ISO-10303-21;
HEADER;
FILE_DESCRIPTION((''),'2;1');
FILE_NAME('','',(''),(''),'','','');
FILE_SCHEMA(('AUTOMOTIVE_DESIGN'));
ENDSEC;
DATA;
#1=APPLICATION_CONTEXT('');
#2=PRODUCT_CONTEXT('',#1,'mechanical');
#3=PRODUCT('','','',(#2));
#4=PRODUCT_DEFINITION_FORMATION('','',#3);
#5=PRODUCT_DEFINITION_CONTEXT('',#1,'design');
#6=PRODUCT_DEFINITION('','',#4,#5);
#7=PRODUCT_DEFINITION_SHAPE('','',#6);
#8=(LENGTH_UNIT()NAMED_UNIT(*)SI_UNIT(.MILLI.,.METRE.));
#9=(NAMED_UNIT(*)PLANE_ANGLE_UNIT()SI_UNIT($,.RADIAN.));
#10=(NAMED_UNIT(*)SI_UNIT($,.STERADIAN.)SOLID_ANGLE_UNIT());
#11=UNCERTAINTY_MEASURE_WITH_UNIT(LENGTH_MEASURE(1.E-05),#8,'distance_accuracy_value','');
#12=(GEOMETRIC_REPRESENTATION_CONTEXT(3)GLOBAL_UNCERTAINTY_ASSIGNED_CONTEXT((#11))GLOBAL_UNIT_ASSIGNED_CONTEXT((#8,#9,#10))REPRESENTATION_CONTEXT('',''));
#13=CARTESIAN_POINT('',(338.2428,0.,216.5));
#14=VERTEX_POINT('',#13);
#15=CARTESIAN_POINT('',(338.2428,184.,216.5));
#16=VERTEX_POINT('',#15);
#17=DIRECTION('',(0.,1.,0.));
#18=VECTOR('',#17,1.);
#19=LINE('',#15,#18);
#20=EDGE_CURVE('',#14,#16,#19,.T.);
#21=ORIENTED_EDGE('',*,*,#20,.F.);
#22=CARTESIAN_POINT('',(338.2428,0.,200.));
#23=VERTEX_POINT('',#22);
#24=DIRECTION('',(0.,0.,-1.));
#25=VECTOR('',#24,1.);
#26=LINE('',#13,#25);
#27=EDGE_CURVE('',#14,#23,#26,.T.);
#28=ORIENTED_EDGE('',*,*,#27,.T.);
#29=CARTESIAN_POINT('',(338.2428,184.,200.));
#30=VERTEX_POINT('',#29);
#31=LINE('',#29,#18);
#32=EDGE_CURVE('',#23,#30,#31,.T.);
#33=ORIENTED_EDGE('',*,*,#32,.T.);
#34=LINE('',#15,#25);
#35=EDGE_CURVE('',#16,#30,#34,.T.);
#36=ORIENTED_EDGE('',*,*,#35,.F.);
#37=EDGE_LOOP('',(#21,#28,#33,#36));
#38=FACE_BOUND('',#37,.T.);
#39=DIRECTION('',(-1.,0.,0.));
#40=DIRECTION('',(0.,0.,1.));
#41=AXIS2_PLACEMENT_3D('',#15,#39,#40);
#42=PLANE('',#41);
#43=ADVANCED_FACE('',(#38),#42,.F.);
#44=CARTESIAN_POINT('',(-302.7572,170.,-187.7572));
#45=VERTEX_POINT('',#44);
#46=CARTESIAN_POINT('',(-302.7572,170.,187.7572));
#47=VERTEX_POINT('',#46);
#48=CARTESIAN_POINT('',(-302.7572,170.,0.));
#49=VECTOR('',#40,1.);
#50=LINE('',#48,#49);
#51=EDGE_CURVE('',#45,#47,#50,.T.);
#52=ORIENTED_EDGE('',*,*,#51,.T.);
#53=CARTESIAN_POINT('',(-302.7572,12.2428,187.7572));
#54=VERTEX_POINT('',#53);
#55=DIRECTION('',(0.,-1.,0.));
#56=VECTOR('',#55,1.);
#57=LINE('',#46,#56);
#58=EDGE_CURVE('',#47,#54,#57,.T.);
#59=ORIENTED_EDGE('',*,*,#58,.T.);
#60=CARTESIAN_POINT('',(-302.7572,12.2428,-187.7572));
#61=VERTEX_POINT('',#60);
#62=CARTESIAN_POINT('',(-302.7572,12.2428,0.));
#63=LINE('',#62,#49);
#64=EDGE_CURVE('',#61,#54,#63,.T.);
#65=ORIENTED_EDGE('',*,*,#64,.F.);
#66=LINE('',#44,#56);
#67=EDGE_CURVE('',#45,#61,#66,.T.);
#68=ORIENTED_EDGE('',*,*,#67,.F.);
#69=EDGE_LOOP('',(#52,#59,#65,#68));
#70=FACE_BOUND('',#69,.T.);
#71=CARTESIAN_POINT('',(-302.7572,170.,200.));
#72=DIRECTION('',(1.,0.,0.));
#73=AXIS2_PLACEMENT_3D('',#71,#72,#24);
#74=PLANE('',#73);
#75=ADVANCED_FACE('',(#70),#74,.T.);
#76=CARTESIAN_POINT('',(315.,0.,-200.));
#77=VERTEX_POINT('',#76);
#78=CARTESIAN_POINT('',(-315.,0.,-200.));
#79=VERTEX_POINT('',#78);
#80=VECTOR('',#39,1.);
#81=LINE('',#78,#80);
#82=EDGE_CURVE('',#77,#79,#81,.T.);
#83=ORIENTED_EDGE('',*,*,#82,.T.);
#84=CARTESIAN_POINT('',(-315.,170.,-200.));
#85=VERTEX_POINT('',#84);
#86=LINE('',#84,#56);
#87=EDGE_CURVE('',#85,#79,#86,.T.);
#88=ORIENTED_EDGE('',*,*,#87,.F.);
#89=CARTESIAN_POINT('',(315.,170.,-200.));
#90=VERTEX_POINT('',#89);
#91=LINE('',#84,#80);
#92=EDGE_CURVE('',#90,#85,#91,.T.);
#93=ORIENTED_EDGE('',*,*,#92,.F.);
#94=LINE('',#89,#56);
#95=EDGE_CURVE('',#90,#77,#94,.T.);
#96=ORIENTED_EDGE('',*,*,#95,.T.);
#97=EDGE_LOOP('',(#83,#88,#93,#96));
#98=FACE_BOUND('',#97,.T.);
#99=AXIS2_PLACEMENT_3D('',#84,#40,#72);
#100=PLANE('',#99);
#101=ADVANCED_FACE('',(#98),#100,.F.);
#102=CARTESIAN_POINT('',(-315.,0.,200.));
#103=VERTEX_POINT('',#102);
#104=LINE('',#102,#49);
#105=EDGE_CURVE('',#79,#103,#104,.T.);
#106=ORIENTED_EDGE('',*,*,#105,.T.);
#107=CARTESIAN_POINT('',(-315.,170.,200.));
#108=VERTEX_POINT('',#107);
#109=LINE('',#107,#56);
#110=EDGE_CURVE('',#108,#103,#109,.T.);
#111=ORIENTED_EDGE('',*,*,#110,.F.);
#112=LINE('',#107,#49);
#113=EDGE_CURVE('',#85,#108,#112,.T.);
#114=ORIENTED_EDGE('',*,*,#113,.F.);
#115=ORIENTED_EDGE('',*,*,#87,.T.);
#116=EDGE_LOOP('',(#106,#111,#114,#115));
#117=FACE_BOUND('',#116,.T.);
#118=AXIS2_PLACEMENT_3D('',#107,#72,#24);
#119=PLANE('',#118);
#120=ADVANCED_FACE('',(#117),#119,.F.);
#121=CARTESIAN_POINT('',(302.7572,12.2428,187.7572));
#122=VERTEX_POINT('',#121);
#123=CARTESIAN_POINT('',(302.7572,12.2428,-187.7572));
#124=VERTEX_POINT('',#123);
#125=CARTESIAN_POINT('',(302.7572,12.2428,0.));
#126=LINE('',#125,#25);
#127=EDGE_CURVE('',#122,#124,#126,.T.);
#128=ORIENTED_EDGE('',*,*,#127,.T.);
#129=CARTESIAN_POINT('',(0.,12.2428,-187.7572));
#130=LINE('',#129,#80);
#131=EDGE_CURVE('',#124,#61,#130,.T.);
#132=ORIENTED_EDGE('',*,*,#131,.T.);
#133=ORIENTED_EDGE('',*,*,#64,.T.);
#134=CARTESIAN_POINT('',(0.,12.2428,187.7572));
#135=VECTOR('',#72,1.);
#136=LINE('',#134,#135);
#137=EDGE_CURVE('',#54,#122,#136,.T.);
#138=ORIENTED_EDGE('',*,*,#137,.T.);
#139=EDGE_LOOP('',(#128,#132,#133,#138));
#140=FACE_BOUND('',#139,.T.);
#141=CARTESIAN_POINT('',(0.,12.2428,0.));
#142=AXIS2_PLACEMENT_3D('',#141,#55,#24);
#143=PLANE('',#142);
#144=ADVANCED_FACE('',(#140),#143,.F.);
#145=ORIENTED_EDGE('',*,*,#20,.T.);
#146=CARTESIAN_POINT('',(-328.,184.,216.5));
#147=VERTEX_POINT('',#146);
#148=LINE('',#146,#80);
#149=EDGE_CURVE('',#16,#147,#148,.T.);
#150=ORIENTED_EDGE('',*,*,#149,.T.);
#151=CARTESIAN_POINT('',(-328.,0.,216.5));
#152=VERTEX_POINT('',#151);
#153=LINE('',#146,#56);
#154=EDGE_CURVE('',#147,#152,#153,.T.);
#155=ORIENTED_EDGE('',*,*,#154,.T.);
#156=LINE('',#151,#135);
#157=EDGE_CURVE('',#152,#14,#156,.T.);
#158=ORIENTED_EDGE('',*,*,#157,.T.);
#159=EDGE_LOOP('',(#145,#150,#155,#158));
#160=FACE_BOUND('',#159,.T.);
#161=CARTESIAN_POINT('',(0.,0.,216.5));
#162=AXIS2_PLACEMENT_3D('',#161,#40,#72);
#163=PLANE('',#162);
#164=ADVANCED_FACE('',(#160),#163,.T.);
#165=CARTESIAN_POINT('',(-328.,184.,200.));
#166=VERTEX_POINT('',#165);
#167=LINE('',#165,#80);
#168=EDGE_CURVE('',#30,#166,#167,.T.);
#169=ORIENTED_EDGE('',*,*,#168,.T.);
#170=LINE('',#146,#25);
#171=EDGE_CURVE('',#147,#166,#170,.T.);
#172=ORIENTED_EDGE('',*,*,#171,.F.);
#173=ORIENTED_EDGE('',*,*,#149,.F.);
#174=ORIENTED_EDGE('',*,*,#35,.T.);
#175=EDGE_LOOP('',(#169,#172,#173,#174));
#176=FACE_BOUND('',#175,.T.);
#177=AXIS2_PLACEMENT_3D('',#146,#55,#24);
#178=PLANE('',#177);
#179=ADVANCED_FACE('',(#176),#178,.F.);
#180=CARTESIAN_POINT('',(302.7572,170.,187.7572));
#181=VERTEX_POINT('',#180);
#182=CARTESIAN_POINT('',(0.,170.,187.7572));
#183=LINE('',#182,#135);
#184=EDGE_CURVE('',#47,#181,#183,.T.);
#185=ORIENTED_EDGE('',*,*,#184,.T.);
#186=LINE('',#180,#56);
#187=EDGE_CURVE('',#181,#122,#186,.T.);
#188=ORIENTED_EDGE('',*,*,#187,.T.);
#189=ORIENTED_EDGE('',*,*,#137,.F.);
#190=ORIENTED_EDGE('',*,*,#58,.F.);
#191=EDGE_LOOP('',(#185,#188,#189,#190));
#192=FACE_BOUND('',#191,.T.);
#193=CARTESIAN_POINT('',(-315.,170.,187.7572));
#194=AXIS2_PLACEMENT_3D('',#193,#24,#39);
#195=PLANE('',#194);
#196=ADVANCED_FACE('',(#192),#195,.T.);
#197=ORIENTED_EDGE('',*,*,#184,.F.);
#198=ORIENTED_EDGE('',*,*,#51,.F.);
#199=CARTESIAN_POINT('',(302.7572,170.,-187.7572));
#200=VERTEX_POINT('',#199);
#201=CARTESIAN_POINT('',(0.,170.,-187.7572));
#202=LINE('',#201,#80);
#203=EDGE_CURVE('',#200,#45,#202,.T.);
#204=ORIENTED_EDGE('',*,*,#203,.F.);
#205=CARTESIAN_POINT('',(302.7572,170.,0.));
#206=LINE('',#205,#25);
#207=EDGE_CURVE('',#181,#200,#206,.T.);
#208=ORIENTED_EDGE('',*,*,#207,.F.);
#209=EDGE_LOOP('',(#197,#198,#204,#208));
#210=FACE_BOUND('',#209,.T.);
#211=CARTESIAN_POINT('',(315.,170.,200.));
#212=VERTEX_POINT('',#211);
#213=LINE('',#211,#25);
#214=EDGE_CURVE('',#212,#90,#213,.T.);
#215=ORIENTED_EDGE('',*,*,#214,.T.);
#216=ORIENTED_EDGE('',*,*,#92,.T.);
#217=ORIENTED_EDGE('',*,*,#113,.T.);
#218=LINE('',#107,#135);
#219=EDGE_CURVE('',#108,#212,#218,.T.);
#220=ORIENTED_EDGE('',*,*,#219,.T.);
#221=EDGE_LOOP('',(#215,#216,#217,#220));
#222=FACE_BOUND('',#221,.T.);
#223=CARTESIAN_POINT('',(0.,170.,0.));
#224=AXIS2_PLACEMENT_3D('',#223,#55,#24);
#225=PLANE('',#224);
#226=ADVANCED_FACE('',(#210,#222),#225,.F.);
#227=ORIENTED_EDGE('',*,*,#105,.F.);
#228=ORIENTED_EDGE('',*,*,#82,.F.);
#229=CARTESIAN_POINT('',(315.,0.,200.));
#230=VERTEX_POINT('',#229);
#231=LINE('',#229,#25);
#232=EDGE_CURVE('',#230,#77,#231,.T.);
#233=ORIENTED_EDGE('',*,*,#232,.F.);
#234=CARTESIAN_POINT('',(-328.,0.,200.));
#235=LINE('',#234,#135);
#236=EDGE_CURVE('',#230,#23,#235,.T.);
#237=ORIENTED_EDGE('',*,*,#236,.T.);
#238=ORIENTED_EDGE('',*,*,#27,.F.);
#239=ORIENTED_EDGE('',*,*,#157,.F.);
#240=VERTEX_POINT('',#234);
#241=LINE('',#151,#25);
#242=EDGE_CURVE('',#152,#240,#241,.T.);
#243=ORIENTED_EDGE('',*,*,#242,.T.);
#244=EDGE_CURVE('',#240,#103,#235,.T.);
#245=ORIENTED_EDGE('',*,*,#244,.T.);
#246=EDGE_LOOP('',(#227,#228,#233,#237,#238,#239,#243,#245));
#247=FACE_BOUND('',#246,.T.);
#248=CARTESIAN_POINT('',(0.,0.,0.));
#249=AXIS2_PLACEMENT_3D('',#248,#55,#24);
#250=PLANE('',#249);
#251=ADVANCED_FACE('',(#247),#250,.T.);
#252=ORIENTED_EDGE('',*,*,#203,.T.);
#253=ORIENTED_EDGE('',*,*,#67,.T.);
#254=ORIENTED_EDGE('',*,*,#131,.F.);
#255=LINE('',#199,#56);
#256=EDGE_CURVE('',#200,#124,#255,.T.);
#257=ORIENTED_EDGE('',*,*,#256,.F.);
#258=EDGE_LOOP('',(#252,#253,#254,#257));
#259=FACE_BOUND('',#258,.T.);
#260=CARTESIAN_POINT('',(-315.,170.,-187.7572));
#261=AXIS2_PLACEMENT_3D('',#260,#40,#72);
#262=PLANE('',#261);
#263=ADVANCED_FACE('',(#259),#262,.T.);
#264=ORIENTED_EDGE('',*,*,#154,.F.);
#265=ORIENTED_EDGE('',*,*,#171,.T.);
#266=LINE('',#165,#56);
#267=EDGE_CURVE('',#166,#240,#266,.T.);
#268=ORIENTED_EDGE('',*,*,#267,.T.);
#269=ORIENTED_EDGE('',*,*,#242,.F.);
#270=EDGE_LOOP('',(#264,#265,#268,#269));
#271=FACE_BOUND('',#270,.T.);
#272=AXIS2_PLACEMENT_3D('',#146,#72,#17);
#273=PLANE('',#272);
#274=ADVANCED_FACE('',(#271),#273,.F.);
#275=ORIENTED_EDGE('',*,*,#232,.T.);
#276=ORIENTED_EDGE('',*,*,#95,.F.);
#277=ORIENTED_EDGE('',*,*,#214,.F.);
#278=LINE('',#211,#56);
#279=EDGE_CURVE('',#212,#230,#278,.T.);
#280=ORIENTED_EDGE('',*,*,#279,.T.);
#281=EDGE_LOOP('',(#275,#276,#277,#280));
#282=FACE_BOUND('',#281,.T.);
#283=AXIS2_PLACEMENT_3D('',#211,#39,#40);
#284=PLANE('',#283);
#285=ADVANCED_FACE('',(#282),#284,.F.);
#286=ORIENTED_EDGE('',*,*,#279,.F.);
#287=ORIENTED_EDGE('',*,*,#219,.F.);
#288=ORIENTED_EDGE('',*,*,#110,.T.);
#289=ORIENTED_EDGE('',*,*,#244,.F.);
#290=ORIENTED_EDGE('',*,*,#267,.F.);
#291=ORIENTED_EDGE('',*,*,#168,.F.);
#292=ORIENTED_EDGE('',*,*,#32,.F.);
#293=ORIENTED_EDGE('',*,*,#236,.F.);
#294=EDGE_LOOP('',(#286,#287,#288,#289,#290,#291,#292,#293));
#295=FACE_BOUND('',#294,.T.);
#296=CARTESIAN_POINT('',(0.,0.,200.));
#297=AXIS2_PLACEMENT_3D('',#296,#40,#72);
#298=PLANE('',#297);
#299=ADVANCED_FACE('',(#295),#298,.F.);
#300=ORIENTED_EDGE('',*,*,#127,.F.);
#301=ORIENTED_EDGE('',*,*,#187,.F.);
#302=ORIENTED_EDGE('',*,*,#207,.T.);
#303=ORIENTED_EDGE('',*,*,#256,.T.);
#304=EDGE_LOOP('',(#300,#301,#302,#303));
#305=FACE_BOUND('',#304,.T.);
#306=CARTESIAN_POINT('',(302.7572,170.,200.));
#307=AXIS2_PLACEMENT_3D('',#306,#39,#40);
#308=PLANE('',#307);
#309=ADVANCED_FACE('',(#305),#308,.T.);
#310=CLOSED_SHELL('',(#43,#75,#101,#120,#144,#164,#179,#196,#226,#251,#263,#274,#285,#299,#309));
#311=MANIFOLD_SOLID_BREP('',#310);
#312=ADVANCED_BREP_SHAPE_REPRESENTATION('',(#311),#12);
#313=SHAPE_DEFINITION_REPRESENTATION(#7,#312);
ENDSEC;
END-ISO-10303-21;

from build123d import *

# Parameters (mm, degrees)
SKETCH1_W           = 630
SKETCH1_H           = 400
EXTRUSION_DEPTH     = 170
DRAWER_S_INTERIOR_T = -12.2428
SKETCH3_W           = 666.2428
SKETCH3_H           = 184
BOSS_EXTRUDE3_DEPTH = 16.5


with BuildPart() as part:
    # Sketch1 → Extrusion (new body)
    with BuildSketch(Plane(origin=(0, 0, 0), x_dir=(1, 0, 0), z_dir=(0, 1, 0))):
        Rectangle(SKETCH1_W, SKETCH1_H)
    extrude(amount=EXTRUSION_DEPTH)

    # Drawer's interior
    drawer_s_interior_openings = [part.faces().sort_by_distance(p)[0] for p in [
        (0, 170, 0),
    ]]
    offset(amount=DRAWER_S_INTERIOR_T, openings=drawer_s_interior_openings, kind=Kind.INTERSECTION)

    # Sketch3 → Boss-Extrude3 (add)
    with BuildSketch(Plane.XY.offset(200)):
        with Locations((5.1214, 92)):
            Rectangle(SKETCH3_W, SKETCH3_H)
    extrude(amount=BOSS_EXTRUDE3_DEPTH)


solid = part.part
